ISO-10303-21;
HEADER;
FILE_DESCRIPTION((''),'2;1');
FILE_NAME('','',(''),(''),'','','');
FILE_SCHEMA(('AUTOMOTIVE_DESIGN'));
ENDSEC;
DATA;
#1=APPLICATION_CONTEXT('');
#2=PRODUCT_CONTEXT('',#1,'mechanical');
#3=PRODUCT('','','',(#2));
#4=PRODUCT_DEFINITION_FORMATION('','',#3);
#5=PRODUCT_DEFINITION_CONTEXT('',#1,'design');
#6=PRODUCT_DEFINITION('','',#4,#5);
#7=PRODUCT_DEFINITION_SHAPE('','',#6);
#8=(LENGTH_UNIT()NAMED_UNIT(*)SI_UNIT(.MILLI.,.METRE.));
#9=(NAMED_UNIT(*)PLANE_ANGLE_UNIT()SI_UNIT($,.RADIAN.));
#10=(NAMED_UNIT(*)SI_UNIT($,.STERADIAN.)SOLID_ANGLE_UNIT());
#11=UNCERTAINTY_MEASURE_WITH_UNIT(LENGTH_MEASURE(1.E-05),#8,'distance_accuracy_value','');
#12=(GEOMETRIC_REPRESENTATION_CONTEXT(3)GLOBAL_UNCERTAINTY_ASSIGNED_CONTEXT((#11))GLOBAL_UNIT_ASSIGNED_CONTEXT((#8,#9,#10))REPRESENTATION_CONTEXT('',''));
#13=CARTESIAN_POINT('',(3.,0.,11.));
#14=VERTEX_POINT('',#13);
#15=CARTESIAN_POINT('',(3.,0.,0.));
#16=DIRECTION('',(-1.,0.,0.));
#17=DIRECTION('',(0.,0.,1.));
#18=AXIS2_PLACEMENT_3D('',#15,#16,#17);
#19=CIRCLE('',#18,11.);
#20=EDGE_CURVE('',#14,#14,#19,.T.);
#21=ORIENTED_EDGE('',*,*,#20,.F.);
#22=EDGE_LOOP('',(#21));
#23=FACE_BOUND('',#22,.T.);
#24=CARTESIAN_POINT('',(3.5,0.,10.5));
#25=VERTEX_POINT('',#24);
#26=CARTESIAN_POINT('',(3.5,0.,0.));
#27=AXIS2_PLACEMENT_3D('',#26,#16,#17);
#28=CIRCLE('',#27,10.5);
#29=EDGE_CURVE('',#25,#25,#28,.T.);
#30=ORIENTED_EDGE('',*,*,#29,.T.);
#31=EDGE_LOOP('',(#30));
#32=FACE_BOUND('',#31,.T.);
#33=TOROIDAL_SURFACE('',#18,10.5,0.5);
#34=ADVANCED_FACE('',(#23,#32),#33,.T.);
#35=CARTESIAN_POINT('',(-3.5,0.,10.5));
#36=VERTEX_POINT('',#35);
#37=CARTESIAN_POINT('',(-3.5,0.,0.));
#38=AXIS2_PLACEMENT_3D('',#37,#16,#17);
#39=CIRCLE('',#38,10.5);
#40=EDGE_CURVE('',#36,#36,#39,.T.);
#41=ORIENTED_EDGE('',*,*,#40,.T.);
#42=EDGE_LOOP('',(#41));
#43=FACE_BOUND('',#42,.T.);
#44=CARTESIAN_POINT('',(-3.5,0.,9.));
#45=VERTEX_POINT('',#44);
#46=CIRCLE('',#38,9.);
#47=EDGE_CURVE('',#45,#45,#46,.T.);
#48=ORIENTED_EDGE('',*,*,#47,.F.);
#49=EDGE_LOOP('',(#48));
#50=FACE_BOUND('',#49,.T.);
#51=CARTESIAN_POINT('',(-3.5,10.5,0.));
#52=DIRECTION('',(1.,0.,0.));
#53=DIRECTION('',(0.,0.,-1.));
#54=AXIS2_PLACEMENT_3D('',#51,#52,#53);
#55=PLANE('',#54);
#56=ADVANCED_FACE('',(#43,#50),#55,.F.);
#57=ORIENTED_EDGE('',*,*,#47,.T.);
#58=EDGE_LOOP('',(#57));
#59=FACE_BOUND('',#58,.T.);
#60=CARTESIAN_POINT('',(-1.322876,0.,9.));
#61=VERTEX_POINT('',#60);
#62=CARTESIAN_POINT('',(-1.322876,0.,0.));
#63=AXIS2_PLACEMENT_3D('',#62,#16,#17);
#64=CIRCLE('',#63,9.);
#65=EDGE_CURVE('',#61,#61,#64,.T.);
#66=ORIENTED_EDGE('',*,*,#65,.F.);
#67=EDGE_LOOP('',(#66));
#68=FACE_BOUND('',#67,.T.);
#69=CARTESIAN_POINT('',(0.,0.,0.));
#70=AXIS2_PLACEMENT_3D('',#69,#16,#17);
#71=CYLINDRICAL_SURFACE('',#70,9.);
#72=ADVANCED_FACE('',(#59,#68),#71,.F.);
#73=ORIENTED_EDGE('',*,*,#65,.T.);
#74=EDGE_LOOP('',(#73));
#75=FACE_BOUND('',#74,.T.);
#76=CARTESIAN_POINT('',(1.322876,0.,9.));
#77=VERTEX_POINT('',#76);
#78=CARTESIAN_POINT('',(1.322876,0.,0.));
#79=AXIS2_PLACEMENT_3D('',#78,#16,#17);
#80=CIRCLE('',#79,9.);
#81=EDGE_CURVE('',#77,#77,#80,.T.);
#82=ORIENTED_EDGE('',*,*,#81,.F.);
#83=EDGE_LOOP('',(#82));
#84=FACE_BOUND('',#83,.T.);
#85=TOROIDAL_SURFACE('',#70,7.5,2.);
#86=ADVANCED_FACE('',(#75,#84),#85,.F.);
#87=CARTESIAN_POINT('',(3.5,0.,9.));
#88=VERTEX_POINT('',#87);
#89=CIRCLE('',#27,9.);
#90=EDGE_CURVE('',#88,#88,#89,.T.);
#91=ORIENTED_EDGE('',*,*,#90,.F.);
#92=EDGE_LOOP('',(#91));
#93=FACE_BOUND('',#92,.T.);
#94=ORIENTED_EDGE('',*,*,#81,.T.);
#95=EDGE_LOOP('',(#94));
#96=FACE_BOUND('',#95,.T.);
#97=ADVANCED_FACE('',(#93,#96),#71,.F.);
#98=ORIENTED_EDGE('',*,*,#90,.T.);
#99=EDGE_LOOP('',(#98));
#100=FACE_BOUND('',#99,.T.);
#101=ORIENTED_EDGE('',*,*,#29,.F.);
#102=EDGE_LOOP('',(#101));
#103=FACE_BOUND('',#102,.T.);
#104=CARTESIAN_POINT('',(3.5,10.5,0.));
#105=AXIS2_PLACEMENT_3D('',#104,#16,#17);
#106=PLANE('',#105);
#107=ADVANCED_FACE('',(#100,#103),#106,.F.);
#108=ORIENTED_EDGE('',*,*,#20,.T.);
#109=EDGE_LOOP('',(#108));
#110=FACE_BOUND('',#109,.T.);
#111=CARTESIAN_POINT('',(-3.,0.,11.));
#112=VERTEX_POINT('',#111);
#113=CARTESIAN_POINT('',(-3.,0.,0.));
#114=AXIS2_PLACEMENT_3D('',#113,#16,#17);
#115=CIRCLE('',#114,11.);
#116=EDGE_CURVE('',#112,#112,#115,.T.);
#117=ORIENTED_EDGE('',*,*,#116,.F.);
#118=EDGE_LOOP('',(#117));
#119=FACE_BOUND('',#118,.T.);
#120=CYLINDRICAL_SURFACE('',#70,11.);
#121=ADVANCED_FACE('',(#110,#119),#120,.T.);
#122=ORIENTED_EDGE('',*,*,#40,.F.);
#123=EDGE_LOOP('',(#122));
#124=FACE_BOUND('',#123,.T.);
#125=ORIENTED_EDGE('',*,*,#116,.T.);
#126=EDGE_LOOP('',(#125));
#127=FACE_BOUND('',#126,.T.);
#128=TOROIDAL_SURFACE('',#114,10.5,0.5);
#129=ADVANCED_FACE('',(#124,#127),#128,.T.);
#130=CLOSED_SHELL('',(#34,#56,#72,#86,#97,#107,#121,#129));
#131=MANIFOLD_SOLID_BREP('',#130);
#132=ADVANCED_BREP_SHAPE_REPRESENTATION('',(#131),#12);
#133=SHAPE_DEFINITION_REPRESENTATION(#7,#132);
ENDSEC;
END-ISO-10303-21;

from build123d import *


with BuildPart() as part:
    # Esquisse1 → Base-Révolution (revolve)
    with BuildSketch(Plane.XY, mode=Mode.PRIVATE) as base_r_volution_sk:
        with BuildLine():
            Line((-3, 11), (3, 11))
            ThreePointArc((3, 11), (3.353553391, 10.853553391), (3.5, 10.5))
            Line((3.5, 10.5), (3.5, 9))
            Line((3.5, 9), (1.322875656, 9))
            ThreePointArc((1.322875656, 9), (0, 9.5), (-1.322875656, 9))
            Line((-1.322875656, 9), (-3.5, 9))
            Line((-3.5, 9), (-3.5, 10.5))
            ThreePointArc((-3.5, 10.5), (-3.353553391, 10.853553391), (-3, 11))
        make_face()
    revolve(base_r_volution_sk.sketch.rotate(Axis((0, 0, 0), (1, 0, 0)), 90), axis=Axis((0, 0, 0), (1, 0, 0)))


solid = part.part
